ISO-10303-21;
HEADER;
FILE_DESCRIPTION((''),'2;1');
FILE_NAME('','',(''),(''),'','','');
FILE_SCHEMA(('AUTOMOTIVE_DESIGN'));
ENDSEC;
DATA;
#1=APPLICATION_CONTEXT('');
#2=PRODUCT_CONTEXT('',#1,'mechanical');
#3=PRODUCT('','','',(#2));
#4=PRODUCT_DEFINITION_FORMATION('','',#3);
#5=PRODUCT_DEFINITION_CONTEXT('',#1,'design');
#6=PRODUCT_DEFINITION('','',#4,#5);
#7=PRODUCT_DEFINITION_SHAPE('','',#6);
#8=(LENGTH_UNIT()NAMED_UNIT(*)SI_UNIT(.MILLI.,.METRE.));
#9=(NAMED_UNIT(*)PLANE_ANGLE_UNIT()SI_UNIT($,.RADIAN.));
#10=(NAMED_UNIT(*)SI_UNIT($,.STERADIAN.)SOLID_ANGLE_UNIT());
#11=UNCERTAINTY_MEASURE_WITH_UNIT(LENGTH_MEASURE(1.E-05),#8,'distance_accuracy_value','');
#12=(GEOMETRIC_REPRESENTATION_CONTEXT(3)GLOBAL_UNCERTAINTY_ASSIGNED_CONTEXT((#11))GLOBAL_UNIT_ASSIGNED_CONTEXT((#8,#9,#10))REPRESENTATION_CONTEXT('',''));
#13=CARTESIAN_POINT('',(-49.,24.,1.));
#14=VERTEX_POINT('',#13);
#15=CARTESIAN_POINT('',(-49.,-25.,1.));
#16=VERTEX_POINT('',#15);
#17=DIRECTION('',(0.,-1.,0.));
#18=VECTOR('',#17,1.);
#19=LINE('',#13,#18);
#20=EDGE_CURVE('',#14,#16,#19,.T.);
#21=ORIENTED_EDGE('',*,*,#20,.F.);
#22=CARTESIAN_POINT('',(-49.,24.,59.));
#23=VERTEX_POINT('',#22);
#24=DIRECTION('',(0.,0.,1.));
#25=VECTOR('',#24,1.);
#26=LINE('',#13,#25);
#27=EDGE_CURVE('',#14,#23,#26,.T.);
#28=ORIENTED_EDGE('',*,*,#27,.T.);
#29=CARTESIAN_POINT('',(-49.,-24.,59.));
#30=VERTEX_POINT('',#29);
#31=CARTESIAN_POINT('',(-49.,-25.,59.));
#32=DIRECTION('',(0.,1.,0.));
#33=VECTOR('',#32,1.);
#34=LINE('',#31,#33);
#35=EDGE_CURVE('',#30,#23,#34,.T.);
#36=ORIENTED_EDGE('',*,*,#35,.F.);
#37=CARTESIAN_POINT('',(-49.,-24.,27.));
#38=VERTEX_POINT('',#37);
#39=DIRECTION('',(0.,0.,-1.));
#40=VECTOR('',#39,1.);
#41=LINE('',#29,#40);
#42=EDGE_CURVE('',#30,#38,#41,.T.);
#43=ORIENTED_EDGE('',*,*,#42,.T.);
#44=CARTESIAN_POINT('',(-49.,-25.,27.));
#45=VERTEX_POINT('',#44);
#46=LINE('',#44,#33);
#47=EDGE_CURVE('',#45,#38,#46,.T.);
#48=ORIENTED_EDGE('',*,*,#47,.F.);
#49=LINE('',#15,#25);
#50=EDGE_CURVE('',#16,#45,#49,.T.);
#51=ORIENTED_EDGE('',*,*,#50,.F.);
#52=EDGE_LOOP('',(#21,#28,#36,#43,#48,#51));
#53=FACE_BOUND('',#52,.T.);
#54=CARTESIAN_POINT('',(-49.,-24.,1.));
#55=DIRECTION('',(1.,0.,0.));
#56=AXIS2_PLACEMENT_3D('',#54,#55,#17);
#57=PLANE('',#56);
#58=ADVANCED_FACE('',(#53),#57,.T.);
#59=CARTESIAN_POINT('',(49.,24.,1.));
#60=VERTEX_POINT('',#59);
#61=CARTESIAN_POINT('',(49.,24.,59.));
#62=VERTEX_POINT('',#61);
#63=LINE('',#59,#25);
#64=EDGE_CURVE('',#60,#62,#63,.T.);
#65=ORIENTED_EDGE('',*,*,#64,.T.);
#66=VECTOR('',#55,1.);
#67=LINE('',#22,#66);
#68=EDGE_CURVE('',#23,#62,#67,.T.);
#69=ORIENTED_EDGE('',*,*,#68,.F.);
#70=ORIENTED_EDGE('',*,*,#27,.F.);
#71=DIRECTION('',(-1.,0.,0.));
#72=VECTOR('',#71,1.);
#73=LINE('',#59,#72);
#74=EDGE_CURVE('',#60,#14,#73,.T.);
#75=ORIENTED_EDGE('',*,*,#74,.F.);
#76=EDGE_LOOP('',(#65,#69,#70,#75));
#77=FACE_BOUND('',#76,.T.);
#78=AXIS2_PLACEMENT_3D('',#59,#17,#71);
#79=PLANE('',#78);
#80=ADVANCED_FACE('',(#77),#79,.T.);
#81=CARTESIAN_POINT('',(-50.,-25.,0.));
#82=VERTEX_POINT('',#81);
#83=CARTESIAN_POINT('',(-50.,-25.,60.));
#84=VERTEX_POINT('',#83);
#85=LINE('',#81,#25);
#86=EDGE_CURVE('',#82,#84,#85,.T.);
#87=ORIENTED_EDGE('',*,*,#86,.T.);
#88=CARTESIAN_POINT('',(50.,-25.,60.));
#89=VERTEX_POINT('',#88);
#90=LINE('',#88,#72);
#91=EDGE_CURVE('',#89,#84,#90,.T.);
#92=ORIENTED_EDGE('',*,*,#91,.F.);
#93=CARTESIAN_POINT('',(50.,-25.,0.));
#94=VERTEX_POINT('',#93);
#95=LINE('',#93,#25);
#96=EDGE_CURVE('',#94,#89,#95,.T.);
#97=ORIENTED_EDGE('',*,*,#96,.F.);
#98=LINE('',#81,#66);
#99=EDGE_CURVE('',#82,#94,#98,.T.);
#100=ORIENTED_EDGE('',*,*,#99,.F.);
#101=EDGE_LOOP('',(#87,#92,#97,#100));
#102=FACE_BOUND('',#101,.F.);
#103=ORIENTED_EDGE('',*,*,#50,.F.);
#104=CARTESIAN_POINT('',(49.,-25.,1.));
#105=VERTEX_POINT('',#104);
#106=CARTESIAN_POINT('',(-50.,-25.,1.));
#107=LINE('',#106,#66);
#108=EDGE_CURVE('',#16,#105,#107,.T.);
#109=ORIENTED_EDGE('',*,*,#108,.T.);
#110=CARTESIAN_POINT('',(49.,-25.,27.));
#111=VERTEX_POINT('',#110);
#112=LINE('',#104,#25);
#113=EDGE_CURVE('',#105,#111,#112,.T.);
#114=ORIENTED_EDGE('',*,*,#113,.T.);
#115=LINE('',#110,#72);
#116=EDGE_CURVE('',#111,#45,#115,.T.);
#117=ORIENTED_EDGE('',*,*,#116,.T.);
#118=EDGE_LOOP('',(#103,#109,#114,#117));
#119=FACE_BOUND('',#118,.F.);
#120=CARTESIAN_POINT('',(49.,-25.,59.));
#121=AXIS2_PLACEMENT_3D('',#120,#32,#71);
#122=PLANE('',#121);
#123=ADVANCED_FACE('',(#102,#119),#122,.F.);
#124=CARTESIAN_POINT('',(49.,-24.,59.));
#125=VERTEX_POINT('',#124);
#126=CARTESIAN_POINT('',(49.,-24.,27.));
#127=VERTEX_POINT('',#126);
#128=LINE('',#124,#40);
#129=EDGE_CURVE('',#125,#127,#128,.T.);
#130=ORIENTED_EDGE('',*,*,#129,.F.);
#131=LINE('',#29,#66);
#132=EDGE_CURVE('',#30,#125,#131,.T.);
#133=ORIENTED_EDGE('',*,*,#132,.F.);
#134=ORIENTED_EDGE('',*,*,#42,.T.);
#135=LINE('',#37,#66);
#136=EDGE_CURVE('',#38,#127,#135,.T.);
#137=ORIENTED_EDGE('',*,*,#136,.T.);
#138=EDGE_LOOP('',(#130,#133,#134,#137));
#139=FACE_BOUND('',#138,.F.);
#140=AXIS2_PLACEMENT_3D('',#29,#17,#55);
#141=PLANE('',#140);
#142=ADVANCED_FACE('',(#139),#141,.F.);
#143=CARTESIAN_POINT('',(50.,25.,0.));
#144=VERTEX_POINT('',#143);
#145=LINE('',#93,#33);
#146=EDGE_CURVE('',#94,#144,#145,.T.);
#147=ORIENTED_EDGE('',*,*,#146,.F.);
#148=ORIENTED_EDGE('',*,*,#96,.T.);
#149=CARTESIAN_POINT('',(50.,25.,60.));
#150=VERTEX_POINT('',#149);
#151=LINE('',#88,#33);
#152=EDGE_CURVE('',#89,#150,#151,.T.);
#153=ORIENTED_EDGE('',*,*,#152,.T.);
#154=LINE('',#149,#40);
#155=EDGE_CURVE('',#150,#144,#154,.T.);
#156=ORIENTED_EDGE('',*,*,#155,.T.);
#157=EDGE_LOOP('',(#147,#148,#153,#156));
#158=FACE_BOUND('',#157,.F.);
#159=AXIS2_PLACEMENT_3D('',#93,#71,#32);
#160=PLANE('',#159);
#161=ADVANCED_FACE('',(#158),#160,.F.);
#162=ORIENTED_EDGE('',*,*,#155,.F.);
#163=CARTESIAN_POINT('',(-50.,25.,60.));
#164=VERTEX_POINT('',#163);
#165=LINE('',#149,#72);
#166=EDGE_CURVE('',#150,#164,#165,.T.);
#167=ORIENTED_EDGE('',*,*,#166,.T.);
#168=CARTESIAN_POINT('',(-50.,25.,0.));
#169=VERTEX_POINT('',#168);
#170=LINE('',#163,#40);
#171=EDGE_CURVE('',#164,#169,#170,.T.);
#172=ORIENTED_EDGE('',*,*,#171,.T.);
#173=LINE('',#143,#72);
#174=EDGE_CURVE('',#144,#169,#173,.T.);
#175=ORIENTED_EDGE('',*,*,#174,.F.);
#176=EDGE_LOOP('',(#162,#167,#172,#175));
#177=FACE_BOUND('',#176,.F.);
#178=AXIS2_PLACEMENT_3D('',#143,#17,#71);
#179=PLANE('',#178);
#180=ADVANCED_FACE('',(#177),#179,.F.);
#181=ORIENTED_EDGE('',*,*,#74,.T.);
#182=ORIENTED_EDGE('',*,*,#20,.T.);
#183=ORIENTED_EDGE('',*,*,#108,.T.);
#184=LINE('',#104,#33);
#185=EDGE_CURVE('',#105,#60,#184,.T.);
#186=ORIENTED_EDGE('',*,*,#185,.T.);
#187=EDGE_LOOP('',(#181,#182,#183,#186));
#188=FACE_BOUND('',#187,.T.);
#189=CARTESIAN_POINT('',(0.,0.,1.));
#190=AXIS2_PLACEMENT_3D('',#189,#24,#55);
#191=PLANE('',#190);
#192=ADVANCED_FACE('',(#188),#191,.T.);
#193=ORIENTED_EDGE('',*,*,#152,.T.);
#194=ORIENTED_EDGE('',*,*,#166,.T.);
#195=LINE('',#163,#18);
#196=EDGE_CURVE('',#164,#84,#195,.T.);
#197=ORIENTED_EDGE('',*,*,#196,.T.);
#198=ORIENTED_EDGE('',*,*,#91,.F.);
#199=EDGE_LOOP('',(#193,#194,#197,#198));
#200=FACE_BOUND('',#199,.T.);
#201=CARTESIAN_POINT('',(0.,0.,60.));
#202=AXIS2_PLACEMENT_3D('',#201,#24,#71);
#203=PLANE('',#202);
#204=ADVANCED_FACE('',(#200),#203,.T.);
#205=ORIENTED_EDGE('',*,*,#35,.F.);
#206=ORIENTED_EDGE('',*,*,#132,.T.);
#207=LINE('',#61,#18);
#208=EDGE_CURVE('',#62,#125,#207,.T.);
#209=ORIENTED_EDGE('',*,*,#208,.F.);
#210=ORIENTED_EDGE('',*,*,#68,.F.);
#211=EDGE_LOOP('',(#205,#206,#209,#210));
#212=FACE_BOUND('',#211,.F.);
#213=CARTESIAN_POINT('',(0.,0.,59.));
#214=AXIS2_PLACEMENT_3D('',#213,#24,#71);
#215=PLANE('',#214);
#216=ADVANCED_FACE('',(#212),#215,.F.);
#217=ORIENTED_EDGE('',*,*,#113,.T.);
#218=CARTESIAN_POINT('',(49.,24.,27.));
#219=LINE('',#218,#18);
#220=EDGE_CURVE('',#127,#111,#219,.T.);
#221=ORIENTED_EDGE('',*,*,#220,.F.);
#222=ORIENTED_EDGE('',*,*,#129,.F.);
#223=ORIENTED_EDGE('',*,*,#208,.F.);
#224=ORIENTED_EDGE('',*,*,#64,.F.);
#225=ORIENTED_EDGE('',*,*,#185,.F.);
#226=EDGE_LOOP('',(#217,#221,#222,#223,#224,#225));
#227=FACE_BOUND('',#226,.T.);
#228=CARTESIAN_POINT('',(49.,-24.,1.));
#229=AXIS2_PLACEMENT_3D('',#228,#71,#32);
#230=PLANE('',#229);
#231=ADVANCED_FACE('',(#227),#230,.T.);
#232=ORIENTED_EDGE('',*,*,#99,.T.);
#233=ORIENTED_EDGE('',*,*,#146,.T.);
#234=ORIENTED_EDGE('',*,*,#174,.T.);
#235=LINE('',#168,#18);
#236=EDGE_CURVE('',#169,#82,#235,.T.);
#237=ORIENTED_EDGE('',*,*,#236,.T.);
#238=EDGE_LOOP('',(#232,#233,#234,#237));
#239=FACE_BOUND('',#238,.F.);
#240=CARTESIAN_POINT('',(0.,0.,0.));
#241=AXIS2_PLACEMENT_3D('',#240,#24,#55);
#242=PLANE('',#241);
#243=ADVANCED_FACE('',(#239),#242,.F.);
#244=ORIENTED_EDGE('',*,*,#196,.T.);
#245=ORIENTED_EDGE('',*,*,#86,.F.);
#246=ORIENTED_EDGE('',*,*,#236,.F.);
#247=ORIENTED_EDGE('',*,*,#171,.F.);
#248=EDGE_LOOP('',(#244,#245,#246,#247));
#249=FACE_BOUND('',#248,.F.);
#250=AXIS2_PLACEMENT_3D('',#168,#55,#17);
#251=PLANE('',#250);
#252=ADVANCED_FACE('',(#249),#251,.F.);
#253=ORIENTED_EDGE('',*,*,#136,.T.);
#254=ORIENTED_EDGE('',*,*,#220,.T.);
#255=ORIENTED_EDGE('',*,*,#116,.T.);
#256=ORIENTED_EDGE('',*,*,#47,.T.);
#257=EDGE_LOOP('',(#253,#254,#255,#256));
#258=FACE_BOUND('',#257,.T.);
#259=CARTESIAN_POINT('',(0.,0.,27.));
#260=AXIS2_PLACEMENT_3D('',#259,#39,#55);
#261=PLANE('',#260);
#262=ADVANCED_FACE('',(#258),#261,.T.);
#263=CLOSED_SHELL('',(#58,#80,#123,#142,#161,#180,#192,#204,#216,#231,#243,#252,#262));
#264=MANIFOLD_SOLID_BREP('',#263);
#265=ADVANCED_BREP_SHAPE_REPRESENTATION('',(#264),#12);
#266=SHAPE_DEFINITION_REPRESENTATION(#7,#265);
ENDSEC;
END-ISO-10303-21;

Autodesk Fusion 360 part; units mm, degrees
sketch "Sketch1" plane through (0, 0, 0) normal (0, 0, 1) x (1, 0, 0)
  line L0 (-50, -25) -> (50, -25)
  line L1 (50, -25) -> (50, 25)
  line L2 (50, 25) -> (-50, 25)
  line L3 (-50, 25) -> (-50, -25)
extrude "Extrude1" add sketch "Sketch1" along normal blind 1
sketch "Sketch2" plane through (0, 0, 1) normal (0, 0, 1) x (-1, 0, 0)
  line L0 (50, -25) -> (50, 25)
  line L1 (50, 25) -> (-50, 25)
  line L2 (-50, 25) -> (-50, -25)
  line L3 (-50, -25) -> (50, -25)
  line L4 (49, 24) -> (-49, 24)
  line L5 (-49, 24) -> (-49, -24)
  line L6 (-49, -24) -> (49, -24)
  line L7 (49, -24) -> (49, 24)
  line L8 (49, 24) -> (49, 25)
  line L9 (-49, 24) -> (-49, 25)
  dimension "d3" = -1
extrude "Extrude2" add sketch "Sketch2" along normal blind 59 contours L0 L1 L2 L3 L5 L6 L7 L8 L9
sketch "Sketch3" plane through (0, 0, 60) normal (0, 0, 1) x (-1, 0, 0)
  line L0 (-49, -24) -> (-49, 25)
  line L1 (-49, 25) -> (-50, 25)
  line L2 (-50, 25) -> (-50, -25)
  line L3 (-50, -25) -> (50, -25)
  line L4 (50, -25) -> (50, 25)
  line L5 (50, 25) -> (49, 25)
  line L6 (49, 25) -> (49, -24)
  line L7 (49, -24) -> (-49, -24)
  line L8 (50, -25) -> (-50, -25)
  line L9 (-50, -25) -> (-50, 25)
  line L10 (-50, 25) -> (50, 25)
  line L11 (50, 25) -> (50, -25)
extrude "Extrude3" add sketch "Sketch3" against normal blind 1 contours L0 L6 L7 L10
sketch "Sketch4" plane through (0, 0, 59) normal (0, 0, -1) x (1, 0, 0)
  line L0 (-49, -24) -> (49, -24)
  line L1 (49, -24) -> (49, 25)
  line L2 (49, 25) -> (-49, 25)
  line L3 (-49, 25) -> (-49, -24)
  line L4 (-49, 25) -> (-49, 24)
  line L5 (-49, 24) -> (49, 24)
  dimension "d8" = 1
extrude "Extrude4" add sketch "Sketch4" along normal blind 32 contours L1 L2 L3 L4 L5
